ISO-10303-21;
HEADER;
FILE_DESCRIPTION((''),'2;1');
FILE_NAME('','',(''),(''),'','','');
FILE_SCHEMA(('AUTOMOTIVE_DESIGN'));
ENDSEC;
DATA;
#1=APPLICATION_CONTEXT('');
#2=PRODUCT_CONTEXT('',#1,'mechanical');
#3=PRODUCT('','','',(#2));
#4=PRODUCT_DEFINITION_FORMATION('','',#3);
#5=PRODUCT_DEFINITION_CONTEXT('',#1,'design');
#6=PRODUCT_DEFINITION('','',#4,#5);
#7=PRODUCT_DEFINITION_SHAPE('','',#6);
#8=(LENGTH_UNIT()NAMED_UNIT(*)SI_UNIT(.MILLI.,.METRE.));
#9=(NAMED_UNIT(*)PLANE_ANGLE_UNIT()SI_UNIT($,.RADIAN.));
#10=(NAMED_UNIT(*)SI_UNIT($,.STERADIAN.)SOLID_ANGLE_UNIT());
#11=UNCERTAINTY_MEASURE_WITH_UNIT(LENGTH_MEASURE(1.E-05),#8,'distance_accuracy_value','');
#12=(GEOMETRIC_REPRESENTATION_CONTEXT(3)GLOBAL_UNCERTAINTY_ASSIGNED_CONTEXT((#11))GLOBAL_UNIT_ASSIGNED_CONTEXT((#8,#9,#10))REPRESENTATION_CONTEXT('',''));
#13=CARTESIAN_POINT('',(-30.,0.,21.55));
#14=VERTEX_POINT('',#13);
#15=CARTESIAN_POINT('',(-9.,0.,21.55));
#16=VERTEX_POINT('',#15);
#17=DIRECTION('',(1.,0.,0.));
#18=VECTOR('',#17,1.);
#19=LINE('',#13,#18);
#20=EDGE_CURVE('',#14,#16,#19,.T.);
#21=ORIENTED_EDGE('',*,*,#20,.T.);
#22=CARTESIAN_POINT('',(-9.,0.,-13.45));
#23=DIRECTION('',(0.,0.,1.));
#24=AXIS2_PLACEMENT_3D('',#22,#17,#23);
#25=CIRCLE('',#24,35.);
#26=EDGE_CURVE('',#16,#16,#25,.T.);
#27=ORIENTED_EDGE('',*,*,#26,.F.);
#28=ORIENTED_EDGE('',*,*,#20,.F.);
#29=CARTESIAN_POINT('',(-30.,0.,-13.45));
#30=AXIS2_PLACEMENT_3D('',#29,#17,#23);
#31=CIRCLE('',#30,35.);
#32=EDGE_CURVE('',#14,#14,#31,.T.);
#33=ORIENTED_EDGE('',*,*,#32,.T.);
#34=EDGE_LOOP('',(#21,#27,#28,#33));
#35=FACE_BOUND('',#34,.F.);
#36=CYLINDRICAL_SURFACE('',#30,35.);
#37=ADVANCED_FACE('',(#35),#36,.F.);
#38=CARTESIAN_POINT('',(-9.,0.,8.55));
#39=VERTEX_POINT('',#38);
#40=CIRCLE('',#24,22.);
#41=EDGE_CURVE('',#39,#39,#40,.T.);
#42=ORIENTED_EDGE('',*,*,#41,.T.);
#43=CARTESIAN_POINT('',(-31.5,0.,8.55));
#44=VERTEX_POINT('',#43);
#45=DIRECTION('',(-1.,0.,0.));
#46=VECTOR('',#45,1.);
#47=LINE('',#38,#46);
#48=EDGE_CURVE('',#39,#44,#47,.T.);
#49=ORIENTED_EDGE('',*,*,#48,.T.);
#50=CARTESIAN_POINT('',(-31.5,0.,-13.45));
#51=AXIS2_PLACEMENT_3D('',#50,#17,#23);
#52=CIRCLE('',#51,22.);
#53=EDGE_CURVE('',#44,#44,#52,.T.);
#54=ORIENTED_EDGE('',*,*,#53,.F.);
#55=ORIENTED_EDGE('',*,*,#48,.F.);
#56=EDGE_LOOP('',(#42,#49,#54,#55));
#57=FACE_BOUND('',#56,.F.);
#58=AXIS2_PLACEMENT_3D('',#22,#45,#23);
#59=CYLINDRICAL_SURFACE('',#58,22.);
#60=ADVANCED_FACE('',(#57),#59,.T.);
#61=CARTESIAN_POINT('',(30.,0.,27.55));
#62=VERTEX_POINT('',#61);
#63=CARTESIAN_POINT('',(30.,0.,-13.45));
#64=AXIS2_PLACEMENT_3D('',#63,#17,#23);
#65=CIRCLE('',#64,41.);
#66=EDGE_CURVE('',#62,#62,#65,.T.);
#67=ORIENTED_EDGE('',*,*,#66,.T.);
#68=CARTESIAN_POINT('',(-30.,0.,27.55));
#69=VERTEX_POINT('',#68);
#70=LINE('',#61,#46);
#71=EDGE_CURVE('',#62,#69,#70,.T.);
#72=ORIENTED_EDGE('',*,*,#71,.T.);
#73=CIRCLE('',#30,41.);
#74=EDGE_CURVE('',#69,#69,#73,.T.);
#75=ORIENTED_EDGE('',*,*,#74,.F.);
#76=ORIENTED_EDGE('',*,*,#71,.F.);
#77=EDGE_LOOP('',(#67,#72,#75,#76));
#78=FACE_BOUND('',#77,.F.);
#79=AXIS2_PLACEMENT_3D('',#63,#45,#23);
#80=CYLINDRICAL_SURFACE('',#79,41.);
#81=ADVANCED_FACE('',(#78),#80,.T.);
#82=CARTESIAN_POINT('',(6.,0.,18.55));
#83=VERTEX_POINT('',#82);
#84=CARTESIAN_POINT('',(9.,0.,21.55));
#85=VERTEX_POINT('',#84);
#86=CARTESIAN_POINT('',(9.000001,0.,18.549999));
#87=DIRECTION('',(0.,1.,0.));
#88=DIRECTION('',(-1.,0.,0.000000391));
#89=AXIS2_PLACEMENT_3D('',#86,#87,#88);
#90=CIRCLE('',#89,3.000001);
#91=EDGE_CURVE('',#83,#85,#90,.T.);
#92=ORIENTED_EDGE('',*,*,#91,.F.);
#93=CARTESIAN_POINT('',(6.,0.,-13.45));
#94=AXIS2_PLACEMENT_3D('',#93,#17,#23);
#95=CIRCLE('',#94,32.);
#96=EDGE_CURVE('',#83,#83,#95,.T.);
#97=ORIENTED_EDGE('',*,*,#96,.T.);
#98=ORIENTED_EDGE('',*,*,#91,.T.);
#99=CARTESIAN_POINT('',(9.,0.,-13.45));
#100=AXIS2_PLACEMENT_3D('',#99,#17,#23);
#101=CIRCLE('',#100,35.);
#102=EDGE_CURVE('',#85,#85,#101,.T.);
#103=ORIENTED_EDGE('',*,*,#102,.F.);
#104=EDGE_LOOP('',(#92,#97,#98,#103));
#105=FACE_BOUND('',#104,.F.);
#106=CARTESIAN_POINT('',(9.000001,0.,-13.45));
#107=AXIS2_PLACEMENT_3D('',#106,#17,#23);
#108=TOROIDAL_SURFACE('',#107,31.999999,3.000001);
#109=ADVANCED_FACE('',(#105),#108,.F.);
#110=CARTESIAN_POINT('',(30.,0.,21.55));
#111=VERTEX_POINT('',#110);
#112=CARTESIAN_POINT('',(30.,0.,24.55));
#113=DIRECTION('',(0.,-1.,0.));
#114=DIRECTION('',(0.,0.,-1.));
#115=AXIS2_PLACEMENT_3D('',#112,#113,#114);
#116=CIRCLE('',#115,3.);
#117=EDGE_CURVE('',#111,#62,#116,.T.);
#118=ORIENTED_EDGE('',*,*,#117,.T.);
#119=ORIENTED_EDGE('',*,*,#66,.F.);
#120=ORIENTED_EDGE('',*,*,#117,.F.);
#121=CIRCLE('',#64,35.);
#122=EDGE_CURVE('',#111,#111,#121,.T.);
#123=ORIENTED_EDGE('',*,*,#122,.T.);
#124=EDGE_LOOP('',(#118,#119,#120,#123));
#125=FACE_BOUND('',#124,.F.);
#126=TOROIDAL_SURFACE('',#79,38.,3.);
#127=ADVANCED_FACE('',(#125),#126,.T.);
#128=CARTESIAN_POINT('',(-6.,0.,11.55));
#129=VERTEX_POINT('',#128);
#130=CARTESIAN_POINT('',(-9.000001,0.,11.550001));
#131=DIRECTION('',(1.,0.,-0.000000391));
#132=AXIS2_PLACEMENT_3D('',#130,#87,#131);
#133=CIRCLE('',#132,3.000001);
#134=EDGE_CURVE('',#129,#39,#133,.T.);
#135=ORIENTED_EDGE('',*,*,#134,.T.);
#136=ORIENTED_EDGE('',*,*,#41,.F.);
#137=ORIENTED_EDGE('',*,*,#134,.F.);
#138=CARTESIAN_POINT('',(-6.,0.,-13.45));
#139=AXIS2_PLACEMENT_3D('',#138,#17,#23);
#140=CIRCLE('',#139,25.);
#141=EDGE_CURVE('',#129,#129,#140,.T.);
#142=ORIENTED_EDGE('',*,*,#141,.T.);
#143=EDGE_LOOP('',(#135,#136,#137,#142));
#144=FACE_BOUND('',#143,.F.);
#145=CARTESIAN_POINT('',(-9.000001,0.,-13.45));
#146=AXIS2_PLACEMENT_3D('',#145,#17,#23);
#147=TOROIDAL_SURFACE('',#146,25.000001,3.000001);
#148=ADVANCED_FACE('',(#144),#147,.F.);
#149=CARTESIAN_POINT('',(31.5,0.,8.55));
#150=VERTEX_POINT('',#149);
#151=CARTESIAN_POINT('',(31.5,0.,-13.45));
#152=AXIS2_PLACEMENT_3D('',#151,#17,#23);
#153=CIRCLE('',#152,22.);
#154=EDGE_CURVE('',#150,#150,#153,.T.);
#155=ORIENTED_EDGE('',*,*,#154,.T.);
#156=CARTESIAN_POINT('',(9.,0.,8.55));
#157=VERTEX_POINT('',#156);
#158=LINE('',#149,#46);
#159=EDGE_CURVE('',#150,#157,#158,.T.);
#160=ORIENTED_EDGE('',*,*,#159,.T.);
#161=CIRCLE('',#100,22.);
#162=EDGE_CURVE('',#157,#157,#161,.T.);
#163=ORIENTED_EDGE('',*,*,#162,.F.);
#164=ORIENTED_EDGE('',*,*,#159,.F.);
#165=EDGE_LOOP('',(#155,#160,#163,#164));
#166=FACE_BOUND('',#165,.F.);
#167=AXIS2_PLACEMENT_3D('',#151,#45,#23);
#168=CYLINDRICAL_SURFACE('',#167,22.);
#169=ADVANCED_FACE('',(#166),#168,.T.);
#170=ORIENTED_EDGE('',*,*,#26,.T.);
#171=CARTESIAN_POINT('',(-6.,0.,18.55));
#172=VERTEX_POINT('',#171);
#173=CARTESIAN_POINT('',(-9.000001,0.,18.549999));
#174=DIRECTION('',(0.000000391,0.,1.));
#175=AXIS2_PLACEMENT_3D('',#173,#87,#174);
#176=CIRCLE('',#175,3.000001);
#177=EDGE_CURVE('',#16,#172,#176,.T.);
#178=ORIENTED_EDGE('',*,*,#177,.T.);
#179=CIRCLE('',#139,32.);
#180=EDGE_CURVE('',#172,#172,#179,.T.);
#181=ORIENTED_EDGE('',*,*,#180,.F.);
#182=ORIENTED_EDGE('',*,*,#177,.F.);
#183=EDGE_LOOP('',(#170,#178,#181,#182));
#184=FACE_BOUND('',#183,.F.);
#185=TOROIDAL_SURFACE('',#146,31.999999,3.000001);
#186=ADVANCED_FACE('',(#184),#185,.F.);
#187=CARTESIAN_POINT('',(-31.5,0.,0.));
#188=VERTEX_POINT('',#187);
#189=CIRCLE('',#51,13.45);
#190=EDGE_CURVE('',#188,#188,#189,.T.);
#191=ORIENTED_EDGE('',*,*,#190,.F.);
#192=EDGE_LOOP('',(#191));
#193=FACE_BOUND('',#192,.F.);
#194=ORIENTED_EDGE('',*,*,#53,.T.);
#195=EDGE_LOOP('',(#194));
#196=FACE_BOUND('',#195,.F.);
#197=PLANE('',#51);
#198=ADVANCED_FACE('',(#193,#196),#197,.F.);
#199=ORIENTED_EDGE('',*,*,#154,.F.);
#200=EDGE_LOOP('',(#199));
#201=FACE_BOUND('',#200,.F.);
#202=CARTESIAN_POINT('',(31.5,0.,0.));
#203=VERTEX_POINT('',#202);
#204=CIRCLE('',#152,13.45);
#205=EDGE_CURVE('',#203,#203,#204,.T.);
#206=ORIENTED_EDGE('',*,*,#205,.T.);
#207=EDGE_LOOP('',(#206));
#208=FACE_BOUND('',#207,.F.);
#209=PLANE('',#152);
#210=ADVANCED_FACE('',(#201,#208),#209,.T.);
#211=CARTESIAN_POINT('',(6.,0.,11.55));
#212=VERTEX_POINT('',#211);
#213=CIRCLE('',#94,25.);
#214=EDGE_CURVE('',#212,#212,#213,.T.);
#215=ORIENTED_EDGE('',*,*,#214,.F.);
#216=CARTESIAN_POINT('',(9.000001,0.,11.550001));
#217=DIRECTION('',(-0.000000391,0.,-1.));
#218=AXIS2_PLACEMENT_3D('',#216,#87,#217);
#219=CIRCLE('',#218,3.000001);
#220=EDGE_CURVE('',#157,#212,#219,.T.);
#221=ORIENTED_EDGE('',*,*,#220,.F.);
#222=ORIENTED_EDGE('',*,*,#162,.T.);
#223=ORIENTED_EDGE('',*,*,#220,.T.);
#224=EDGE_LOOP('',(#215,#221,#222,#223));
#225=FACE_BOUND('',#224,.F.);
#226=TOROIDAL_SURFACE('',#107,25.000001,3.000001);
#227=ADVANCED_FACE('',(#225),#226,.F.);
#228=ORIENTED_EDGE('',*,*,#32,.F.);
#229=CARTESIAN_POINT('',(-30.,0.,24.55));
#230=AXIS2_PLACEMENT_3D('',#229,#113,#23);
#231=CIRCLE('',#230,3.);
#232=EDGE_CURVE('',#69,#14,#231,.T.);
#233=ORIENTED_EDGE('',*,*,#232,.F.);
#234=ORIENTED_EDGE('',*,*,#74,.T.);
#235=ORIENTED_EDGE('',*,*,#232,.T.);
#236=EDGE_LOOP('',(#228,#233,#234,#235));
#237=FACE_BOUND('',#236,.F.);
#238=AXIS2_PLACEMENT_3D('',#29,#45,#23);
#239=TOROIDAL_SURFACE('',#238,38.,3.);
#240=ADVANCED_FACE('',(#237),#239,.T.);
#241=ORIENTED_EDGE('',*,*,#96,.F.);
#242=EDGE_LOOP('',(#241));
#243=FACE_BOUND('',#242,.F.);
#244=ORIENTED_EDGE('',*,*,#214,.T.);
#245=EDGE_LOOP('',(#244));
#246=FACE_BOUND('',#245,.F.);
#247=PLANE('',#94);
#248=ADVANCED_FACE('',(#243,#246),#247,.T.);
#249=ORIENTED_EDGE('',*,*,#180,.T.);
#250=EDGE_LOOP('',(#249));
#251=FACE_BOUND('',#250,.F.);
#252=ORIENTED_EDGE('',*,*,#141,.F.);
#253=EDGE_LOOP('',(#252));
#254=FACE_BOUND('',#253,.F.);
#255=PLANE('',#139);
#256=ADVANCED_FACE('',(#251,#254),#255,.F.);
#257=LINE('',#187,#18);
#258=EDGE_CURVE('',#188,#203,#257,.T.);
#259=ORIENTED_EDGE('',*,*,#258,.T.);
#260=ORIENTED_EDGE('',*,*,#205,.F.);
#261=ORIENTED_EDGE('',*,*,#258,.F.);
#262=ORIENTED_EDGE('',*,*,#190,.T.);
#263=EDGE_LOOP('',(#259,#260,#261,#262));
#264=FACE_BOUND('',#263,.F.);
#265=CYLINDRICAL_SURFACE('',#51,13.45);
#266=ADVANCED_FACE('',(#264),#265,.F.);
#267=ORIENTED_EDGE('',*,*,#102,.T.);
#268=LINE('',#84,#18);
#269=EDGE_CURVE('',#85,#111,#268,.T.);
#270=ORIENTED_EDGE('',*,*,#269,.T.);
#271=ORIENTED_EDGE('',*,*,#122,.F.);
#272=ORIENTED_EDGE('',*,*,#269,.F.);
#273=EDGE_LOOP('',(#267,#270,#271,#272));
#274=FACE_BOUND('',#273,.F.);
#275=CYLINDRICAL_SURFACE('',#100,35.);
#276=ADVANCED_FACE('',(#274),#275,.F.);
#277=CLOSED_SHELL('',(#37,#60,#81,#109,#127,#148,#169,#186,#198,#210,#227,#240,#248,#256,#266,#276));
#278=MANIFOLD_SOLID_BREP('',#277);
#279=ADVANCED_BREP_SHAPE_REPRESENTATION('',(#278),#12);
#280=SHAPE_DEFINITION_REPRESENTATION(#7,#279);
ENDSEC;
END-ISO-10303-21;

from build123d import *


with BuildPart() as f1:
    # F0 (on Front) → F1 (revolve)
    with BuildSketch(Plane.XZ):
        with BuildLine():
            Line((-31.5, 0), (31.5, 0))
            Line((31.5, 0), (31.5, 8.55))
            Line((31.5, 8.55), (9, 8.55))
            ThreePointArc((9, 8.55), (6.87868, 9.42868), (6, 11.55))
            Line((6, 11.55), (6, 18.55))
            ThreePointArc((6, 18.55), (6.87868, 20.67132), (9, 21.55))
            Line((9, 21.55), (30, 21.55))
            ThreePointArc((30, 21.55), (33, 24.55), (30, 27.55))
            Line((30, 27.55), (-30, 27.55))
            ThreePointArc((-30, 27.55), (-33, 24.55), (-30, 21.55))
            Line((-30, 21.55), (-9, 21.55))
            ThreePointArc((-9, 21.55), (-6.87868, 20.67132), (-6, 18.55))
            Line((-6, 18.55), (-6, 11.55))
            ThreePointArc((-6, 11.55), (-6.87868, 9.42868), (-9, 8.55))
            Line((-9, 8.55), (-31.5, 8.55))
            Line((-31.5, 8.55), (-31.5, 0))
        make_face()
    revolve(axis=Axis((20.209787, 0, -13.45), (1, 0, 0)))


solid = f1.part
